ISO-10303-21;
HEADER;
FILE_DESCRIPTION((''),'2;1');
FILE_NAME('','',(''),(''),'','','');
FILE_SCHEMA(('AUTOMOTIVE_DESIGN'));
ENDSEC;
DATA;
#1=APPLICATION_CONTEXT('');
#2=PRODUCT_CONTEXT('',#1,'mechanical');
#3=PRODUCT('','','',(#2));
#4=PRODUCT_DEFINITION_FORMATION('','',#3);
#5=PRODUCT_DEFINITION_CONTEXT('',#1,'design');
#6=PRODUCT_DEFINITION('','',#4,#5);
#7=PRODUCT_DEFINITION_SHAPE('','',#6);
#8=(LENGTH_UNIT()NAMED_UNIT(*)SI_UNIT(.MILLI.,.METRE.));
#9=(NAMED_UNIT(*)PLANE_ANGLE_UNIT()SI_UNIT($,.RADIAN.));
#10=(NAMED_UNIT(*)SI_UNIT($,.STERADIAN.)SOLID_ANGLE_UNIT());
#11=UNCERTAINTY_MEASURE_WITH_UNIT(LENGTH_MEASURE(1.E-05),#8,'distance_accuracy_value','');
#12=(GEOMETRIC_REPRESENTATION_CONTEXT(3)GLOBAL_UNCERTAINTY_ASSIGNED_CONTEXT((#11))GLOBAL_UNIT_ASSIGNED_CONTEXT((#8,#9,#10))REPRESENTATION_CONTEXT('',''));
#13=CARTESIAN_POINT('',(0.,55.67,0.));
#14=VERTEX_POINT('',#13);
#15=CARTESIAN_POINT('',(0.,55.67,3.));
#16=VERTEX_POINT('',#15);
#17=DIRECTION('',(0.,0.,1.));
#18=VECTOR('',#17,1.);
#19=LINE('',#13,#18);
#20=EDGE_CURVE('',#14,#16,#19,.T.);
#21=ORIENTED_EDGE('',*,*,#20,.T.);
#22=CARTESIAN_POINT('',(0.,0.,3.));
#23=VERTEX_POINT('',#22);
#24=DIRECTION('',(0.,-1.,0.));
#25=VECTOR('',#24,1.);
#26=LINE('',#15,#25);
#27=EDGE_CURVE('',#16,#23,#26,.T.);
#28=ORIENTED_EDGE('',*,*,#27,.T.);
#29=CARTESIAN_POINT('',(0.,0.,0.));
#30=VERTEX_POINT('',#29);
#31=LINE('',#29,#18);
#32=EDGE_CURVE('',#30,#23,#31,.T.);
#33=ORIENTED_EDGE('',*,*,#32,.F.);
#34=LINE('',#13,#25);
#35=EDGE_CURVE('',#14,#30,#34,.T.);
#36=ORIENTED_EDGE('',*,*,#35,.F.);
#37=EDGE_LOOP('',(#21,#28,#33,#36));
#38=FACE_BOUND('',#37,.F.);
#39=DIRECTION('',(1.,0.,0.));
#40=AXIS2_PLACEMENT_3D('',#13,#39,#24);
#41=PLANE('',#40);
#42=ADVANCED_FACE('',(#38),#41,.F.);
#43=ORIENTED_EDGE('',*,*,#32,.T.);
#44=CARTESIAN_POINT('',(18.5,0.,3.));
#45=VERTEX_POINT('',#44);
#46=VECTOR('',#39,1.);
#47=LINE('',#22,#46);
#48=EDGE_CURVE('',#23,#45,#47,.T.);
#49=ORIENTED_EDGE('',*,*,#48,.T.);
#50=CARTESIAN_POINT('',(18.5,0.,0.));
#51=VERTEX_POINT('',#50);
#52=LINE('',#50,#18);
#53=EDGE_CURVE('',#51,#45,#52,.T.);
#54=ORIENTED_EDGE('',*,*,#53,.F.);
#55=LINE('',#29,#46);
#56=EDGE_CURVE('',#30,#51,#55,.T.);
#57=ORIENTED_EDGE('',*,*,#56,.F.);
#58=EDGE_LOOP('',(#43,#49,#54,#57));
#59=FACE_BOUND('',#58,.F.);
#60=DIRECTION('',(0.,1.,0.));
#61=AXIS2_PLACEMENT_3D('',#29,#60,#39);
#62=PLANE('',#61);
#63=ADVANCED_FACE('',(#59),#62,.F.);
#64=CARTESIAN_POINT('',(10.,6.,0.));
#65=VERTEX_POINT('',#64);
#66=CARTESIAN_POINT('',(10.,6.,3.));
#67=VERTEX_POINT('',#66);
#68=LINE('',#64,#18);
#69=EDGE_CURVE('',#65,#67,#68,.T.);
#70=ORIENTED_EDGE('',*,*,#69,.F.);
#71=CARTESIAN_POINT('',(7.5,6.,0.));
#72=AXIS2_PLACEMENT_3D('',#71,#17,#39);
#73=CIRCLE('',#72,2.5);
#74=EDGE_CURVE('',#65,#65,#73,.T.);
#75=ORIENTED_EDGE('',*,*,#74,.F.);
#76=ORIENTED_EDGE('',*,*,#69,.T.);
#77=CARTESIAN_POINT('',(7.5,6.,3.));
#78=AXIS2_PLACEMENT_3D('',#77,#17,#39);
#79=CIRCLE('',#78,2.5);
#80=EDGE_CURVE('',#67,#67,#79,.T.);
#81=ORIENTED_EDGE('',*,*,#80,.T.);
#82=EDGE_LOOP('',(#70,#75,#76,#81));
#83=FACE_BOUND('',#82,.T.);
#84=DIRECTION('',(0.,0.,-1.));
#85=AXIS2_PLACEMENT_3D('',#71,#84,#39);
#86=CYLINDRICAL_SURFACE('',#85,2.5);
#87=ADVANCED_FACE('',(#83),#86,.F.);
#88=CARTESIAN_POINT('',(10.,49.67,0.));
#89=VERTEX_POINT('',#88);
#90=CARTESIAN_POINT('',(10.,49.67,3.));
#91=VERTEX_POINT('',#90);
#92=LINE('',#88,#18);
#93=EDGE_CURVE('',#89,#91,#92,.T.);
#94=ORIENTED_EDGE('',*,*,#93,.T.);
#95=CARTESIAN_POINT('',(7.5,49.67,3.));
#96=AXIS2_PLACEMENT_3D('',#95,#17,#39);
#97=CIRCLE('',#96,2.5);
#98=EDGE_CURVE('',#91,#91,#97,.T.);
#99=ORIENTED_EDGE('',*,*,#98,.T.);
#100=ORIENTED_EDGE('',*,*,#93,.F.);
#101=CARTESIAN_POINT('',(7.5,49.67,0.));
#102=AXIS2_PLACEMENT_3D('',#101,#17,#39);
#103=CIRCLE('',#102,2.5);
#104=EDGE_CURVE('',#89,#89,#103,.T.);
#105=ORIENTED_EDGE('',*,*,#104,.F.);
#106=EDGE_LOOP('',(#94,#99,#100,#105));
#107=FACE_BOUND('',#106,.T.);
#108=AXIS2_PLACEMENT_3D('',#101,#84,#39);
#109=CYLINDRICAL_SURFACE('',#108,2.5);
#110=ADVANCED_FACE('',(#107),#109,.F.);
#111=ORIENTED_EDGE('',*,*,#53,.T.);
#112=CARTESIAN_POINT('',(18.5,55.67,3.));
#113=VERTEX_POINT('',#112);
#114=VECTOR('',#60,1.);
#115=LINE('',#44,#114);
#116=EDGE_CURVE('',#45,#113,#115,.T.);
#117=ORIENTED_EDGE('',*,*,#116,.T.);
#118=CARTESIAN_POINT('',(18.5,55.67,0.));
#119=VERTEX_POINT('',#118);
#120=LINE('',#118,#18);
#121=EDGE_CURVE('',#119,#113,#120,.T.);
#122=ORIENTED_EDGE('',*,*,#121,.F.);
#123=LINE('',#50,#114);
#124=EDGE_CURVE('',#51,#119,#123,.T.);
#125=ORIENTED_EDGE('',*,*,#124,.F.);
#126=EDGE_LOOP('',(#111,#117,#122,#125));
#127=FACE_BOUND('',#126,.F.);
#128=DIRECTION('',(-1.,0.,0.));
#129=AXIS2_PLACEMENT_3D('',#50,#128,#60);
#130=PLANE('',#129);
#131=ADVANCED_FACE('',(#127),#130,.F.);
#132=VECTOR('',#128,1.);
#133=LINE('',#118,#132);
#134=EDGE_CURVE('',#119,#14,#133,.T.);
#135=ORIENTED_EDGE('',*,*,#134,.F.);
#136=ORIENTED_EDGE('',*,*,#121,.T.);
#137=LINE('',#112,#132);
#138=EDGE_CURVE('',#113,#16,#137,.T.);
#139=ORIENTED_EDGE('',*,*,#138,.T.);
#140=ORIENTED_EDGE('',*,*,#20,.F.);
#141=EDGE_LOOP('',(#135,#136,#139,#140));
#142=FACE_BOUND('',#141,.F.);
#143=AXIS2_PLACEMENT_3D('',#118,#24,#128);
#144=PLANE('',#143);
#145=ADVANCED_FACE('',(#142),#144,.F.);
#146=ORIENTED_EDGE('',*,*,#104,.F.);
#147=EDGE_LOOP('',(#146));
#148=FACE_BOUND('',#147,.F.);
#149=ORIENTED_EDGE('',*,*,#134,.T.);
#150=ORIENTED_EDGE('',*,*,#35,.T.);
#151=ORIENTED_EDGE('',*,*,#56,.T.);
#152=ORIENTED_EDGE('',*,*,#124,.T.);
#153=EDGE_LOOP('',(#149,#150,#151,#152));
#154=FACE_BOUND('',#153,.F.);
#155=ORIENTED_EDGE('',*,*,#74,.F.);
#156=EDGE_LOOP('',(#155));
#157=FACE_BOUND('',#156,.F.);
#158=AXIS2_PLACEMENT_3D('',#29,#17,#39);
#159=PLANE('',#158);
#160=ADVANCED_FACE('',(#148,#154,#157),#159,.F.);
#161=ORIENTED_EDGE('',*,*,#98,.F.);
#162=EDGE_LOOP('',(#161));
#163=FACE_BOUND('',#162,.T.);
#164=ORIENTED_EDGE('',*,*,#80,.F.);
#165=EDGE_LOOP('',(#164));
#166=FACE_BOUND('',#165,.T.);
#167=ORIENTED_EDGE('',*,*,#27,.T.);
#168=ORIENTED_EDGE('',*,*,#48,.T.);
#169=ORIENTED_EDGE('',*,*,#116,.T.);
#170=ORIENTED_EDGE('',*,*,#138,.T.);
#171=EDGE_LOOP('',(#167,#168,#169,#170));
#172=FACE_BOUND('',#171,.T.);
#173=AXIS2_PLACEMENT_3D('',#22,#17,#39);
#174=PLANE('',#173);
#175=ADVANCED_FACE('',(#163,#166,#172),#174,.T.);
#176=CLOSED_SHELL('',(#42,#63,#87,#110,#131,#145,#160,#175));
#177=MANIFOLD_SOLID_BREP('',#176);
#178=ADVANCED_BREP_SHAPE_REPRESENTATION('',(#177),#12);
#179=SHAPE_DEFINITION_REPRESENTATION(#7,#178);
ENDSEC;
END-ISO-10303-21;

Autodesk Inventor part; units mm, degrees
ref_plane "YZ Plane" through (0, 0, 0) normal (1, 0, 0) x (0, 1, 0)
ref_plane "XZ Plane" through (0, 0, 0) normal (0, 1, 0) x (-1, 0, 0)
ref_plane "XY Plane" through (0, 0, 0) normal (0, 0, 1) x (1, 0, 0)
sketch "Sketch1" plane through (0, 0, 0) normal (0, 0, 1) x (1, 0, 0)
  line L0 (0, 0) -> (18.5, 0)
  line L1 (18.5, 0) -> (18.5, 55.67)
  line L2 (18.5, 55.67) -> (0, 55.67)
  line L3 (0, 55.67) -> (0, 0)
  circle A0 centre (7.5, 6) radius 2.5
  circle A1 centre (7.5, 49.67) radius 2.5
  point P0 (9.25, 55.67)
  dimension "d0" = 18.5
  dimension "d1" = 55.67
  dimension "d2" = 5
  dimension "d3" = 11
  dimension "d4" = 6
  dimension "d5" = 6
  dimension "d6" = 11
extrude "Extrusion1" add sketch "Sketch1" along normal blind 3
properties part number "pulley_tab_right_A"
